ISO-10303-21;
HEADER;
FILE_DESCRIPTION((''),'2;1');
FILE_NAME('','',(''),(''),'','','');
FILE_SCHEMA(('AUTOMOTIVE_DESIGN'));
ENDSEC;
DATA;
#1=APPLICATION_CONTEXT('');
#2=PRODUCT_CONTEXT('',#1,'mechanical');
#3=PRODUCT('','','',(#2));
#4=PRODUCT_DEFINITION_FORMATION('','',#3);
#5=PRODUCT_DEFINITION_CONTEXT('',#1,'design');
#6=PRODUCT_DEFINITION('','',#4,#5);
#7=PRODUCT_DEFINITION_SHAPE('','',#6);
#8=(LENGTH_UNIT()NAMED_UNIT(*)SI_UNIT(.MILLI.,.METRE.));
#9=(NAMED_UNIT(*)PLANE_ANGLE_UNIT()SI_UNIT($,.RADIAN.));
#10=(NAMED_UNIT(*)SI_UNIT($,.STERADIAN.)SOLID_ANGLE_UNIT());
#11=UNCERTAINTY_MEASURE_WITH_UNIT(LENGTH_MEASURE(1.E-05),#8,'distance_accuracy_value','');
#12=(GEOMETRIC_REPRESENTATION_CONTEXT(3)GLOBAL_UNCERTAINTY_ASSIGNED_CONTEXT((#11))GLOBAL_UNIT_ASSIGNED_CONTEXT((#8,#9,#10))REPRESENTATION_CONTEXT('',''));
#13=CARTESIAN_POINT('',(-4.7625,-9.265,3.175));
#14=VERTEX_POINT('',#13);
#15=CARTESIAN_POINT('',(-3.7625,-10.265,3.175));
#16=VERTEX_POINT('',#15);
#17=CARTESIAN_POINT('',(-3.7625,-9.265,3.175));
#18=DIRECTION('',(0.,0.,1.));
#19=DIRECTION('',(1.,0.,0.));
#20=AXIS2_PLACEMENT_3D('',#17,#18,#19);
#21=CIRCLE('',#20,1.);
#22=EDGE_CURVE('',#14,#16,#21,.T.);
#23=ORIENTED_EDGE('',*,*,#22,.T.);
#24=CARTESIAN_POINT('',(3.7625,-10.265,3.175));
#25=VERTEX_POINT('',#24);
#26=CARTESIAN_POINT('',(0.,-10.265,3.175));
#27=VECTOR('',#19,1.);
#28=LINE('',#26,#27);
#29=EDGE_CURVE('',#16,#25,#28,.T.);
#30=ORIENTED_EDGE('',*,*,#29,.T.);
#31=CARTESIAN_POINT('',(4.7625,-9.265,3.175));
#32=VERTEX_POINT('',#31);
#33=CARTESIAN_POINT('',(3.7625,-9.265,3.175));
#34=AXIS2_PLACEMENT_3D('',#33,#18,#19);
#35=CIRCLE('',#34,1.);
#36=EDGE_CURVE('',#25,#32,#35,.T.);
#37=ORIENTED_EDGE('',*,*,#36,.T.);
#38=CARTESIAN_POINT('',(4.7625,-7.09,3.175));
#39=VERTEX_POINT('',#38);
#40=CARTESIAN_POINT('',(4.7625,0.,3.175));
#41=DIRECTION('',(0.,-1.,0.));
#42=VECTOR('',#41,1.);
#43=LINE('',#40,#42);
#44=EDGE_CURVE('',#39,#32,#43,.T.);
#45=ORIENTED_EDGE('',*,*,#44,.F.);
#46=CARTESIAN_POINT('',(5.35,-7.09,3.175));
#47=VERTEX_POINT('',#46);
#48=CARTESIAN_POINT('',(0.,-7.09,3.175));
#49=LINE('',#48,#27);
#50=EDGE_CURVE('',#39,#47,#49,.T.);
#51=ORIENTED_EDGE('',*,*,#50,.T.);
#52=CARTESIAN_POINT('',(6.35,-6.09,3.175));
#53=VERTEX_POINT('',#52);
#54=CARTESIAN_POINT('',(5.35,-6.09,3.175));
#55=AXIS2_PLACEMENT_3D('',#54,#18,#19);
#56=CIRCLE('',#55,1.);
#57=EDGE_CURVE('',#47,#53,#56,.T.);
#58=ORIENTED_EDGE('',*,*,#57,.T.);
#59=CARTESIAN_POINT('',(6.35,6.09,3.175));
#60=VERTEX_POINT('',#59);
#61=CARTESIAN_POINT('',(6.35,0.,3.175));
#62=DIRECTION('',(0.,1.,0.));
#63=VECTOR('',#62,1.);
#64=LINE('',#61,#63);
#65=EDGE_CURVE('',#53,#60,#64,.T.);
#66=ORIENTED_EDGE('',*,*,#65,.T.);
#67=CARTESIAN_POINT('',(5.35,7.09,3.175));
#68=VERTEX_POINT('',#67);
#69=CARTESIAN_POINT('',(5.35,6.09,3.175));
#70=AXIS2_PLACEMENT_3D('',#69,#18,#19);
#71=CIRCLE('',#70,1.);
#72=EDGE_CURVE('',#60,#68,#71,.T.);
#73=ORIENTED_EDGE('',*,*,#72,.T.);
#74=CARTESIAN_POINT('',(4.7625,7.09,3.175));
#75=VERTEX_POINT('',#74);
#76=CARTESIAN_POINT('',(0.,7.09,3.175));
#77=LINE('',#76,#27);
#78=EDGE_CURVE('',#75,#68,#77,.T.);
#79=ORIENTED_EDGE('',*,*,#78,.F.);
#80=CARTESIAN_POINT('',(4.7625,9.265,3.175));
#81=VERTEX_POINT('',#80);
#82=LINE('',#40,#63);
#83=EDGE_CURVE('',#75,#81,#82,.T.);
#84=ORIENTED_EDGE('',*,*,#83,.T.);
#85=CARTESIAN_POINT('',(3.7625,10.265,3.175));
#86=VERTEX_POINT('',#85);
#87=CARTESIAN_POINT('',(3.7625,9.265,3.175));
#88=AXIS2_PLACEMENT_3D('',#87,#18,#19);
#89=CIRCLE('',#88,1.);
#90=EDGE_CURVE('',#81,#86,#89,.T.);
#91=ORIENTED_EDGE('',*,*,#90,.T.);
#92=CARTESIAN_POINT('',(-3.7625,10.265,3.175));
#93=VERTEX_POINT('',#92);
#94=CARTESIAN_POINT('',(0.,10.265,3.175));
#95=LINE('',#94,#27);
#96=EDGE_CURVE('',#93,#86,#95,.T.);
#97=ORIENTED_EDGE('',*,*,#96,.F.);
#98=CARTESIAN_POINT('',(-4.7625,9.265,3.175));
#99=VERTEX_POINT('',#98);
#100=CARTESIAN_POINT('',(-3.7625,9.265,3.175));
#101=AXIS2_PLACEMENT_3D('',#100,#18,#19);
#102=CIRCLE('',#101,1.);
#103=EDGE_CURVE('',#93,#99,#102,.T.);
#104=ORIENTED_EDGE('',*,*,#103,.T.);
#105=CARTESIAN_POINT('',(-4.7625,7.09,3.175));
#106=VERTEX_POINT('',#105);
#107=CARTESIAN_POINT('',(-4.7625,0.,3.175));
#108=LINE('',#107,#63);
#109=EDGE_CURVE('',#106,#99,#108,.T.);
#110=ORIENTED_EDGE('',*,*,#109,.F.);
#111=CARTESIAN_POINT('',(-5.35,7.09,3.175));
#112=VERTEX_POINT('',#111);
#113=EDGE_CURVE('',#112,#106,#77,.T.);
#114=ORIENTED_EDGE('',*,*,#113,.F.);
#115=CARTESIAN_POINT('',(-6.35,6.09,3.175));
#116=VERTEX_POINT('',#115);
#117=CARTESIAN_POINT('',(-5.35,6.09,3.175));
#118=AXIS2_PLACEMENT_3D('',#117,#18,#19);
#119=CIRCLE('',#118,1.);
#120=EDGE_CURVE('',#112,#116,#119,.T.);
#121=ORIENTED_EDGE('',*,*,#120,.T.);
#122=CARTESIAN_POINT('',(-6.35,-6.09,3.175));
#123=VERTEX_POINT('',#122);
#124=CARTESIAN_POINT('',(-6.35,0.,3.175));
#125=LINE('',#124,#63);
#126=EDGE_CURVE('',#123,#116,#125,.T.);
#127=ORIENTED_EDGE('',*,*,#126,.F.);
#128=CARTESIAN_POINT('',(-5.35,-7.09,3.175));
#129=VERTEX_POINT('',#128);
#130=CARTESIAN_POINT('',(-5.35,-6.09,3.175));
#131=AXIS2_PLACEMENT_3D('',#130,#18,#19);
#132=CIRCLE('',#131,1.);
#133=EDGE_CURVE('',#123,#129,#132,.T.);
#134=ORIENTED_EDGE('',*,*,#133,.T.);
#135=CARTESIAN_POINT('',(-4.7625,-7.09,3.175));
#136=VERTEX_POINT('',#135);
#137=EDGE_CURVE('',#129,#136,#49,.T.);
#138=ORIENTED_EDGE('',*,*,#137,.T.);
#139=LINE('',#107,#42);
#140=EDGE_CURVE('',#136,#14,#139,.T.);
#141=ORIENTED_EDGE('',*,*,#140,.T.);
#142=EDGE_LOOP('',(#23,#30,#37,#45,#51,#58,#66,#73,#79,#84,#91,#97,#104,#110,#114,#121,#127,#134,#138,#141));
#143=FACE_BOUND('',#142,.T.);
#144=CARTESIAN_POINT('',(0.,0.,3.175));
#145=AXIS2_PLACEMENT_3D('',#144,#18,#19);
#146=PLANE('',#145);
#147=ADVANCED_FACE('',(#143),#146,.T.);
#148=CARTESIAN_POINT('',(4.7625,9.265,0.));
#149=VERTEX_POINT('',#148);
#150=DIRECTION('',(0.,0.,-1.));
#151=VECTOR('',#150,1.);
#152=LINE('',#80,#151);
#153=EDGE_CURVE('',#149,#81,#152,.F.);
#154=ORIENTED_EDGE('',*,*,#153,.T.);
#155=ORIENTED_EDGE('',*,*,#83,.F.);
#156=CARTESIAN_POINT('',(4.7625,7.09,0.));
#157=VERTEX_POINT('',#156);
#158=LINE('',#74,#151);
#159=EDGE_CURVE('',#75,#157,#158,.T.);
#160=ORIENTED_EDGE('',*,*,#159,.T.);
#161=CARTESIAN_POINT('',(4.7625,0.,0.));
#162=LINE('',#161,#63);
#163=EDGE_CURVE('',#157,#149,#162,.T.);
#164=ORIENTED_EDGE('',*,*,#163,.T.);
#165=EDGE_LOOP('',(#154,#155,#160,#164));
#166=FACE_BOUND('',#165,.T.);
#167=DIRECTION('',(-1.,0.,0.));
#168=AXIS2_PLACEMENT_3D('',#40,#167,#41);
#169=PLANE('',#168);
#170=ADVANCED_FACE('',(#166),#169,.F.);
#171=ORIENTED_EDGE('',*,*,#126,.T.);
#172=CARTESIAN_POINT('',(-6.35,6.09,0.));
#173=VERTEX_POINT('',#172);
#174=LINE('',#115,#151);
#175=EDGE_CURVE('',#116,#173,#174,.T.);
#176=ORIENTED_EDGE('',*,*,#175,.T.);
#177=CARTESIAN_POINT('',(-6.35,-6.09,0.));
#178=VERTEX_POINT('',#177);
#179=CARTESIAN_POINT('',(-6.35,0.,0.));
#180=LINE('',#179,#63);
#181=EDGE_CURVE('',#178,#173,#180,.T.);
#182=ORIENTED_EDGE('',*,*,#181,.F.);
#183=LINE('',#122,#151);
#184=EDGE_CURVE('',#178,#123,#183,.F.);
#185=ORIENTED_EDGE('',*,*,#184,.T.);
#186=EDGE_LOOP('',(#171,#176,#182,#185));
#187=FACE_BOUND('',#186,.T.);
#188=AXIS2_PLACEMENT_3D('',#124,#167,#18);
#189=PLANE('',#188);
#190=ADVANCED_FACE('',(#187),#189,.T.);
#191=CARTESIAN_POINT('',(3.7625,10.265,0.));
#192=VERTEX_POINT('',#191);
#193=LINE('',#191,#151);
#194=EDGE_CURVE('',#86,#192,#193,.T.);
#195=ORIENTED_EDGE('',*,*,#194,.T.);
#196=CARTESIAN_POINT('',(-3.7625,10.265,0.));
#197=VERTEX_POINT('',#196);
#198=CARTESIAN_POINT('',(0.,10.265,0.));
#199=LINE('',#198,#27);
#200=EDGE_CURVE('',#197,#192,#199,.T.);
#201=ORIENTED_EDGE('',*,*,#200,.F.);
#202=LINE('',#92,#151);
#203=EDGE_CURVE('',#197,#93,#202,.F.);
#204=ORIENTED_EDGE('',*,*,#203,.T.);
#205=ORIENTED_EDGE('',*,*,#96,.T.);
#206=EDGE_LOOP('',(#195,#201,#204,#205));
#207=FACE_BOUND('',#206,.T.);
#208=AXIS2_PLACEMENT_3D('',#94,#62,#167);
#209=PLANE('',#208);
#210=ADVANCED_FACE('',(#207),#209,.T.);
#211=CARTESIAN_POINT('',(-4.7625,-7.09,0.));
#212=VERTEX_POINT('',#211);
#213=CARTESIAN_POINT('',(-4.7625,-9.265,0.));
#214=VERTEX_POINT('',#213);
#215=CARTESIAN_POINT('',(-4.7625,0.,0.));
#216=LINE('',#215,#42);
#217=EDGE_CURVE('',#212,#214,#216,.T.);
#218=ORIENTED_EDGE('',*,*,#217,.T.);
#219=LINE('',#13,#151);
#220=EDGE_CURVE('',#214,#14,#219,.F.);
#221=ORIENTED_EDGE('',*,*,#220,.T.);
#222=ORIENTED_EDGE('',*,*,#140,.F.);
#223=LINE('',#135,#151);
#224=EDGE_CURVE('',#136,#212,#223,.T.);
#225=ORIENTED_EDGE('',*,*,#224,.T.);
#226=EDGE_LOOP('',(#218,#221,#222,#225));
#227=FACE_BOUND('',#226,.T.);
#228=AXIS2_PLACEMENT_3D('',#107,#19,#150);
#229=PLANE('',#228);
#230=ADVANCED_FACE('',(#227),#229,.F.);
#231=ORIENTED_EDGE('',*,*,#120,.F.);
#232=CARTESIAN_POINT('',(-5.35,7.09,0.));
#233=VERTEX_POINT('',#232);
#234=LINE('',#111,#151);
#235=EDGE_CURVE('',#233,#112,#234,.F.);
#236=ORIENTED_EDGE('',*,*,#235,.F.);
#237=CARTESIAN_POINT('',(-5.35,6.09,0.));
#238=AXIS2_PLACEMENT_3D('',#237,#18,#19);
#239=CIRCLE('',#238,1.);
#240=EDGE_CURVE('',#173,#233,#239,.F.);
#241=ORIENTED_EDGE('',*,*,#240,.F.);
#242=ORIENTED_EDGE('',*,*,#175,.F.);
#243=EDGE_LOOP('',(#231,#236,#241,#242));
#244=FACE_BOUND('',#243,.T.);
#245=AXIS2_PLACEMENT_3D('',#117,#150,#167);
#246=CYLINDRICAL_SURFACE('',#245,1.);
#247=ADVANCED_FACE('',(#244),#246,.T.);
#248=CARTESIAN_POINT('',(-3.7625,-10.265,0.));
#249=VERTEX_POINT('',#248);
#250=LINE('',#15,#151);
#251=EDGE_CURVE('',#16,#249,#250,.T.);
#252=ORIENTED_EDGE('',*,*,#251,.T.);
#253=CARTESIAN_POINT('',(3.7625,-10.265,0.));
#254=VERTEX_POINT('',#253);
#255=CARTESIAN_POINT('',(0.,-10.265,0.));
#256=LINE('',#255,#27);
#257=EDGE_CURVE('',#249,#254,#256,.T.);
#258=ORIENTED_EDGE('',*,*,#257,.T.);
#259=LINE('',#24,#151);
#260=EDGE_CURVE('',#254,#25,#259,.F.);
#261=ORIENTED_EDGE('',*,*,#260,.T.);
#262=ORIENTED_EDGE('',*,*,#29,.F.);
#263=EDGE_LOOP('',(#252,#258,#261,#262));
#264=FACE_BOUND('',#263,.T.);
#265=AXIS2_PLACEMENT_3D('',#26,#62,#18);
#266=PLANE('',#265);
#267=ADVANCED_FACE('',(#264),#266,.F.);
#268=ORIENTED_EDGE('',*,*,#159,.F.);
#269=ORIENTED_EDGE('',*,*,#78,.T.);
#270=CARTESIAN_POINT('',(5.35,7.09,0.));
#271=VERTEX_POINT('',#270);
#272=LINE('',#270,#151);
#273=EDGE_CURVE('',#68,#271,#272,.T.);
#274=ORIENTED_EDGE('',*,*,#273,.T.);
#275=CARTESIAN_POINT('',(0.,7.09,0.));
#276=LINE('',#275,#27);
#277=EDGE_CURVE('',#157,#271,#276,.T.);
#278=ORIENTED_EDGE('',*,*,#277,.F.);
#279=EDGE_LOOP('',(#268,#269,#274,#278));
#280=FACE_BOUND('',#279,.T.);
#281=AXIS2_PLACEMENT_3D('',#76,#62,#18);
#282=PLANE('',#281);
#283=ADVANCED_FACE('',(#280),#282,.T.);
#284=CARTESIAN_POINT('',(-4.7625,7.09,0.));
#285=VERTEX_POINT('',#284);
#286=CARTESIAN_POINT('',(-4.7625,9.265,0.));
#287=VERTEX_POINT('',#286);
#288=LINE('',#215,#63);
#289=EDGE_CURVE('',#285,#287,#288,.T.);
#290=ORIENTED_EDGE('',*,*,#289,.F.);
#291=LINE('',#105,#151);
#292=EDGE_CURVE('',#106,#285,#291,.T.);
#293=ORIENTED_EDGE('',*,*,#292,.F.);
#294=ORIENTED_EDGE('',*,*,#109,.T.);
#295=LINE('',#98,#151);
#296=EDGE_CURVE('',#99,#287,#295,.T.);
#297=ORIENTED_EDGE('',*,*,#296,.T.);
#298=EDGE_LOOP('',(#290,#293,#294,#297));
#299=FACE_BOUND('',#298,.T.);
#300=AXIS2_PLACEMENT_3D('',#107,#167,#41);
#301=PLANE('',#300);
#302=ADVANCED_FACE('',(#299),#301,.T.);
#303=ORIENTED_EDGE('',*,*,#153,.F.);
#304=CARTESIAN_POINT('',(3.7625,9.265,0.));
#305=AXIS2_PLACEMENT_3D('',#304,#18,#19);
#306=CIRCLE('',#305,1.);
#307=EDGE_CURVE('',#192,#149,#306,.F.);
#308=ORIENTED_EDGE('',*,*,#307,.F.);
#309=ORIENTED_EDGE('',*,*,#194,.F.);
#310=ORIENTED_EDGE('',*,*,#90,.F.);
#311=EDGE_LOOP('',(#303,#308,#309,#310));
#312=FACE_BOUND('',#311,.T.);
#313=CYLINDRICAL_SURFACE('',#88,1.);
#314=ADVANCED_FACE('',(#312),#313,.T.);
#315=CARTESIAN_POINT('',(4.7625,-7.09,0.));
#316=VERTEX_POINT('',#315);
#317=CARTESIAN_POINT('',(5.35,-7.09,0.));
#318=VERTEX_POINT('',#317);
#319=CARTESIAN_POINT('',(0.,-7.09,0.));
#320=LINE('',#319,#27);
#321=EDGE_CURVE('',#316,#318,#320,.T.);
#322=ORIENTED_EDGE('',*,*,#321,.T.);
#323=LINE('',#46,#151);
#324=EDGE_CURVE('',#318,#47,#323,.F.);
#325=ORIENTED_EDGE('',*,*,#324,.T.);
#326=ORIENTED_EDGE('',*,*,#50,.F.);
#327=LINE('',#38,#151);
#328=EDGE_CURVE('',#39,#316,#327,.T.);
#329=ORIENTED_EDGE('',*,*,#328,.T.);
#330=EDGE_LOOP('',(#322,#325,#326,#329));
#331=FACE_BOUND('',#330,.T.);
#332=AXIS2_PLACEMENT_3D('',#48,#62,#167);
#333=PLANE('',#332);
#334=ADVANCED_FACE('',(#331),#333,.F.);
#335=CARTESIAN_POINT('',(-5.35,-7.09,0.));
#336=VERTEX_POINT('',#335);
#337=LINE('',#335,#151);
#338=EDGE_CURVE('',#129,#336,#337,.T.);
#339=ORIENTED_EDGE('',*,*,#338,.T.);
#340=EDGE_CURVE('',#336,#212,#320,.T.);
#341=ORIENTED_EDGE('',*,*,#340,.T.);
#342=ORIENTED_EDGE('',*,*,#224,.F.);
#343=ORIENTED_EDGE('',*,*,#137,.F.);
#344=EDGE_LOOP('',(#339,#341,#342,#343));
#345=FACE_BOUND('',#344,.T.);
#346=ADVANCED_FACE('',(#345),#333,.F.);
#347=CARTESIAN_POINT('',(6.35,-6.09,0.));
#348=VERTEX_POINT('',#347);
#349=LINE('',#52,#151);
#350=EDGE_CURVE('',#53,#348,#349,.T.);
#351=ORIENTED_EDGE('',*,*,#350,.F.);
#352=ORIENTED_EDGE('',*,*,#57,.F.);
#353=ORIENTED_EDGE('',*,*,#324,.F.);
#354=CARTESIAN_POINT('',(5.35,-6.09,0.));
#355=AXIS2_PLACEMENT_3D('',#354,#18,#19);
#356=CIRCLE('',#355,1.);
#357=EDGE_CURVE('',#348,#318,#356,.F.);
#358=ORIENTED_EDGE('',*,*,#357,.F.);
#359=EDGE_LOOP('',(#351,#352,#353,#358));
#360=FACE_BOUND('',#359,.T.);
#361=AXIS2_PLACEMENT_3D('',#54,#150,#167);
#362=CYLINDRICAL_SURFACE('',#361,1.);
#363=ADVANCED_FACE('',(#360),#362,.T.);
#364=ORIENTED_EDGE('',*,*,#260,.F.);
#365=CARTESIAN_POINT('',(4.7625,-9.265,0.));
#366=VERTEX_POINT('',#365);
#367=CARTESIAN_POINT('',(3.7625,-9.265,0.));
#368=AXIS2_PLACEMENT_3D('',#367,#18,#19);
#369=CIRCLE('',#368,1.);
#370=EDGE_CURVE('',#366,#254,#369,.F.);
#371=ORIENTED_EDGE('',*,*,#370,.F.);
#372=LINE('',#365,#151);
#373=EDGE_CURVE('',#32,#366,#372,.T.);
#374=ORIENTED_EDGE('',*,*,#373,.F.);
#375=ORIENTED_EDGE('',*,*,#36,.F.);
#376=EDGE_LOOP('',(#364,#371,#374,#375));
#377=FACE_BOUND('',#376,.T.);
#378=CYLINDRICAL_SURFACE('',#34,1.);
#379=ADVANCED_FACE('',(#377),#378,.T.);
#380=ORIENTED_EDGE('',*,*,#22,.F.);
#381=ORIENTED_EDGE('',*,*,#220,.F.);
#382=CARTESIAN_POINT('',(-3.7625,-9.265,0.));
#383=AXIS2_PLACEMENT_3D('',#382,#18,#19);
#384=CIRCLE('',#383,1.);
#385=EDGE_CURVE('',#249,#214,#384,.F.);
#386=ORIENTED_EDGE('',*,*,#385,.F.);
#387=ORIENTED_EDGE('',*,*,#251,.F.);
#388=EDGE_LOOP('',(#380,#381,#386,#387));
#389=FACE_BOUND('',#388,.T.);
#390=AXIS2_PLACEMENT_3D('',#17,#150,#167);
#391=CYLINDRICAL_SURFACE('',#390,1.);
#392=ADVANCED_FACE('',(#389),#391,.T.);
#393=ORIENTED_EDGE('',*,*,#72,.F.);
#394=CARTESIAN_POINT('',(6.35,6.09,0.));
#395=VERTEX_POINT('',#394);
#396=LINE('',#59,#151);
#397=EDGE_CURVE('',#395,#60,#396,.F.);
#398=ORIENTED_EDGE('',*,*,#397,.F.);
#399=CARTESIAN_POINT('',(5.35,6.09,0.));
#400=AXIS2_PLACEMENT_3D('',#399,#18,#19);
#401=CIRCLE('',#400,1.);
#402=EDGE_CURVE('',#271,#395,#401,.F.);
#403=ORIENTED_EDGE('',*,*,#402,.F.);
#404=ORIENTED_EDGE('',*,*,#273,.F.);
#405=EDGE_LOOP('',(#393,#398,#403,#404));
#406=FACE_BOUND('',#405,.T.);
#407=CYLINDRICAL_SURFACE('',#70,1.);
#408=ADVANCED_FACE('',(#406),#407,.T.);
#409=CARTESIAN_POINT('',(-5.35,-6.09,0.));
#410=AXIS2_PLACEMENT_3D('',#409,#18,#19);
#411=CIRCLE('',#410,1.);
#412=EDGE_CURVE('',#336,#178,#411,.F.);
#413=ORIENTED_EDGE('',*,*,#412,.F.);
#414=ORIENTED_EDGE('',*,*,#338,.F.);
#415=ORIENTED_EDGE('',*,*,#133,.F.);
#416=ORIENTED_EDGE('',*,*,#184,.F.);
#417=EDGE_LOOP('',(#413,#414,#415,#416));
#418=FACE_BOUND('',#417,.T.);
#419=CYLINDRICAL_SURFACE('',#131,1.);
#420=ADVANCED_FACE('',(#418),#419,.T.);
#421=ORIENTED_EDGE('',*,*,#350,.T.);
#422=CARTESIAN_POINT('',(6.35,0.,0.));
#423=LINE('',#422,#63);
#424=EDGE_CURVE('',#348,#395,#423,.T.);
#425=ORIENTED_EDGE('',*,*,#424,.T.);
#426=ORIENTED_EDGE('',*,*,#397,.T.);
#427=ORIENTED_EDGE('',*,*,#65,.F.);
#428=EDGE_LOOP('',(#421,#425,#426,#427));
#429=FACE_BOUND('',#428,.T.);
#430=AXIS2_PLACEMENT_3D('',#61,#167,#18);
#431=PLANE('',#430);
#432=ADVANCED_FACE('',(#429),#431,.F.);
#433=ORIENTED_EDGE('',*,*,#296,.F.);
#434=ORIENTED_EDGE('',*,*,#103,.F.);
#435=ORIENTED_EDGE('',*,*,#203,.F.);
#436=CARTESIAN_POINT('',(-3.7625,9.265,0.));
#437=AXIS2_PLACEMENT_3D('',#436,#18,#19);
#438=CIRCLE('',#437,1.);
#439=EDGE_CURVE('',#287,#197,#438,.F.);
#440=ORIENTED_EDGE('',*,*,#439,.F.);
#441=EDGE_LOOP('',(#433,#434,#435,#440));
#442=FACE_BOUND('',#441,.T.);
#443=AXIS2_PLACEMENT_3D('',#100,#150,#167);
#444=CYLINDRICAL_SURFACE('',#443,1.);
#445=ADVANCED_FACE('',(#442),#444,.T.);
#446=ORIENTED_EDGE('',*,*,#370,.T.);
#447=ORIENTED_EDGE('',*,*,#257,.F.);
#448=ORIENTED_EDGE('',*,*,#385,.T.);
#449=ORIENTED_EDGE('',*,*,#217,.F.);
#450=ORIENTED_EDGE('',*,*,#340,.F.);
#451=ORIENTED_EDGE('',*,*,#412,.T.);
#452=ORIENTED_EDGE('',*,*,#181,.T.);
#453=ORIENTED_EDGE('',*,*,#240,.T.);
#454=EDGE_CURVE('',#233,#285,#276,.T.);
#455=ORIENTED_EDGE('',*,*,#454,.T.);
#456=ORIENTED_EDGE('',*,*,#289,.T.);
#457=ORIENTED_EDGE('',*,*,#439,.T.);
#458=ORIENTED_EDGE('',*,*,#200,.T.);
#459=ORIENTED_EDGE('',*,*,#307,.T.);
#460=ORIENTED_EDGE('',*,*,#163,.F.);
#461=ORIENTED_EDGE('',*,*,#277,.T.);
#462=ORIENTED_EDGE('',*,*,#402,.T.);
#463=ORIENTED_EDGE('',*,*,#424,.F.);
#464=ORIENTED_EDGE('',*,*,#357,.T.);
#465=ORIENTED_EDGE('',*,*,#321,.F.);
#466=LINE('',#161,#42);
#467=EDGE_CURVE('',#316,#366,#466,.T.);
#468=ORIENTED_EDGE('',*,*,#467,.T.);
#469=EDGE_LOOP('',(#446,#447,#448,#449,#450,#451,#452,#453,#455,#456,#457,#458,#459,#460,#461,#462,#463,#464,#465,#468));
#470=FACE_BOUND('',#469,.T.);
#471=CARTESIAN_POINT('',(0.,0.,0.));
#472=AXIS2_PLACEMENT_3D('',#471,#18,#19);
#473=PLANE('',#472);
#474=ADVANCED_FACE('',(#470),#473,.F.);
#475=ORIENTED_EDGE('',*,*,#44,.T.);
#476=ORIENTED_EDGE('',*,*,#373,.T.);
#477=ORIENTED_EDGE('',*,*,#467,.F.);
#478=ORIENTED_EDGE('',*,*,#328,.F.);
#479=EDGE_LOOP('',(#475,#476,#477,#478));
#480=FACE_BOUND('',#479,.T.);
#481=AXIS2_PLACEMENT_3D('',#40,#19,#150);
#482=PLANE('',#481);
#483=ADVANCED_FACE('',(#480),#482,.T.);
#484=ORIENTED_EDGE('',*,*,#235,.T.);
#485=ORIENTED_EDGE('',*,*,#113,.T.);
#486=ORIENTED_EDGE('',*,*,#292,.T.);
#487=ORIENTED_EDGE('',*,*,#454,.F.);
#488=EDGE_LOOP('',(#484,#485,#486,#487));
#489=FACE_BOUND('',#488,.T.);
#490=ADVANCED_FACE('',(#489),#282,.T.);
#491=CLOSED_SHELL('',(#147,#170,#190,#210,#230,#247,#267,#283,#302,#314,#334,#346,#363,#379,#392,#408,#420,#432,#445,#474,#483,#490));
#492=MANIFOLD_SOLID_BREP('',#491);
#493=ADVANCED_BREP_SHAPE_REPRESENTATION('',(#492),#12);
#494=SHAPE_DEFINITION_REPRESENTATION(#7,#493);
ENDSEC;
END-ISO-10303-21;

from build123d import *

# Parameters (mm, degrees)
SKETCH1_W           = 9.525
SKETCH1_H           = 3.175
BOSS_EXTRUDE1_DEPTH = 3.175
FILLET1_R           = 1


with BuildPart() as part:
    # Sketch1 → Boss-Extrude1 (new body)
    with BuildSketch(Plane.XY):
        with Locations((0, -8.6775)):
            Rectangle(SKETCH1_W, SKETCH1_H)
        Polygon((4.7625, 7.09), (-4.7625, 7.09), (-6.35, 7.09), (-6.35, -7.09), (-4.7625, -7.09), (4.7625, -7.09), (6.35, -7.09), (6.35, 7.09), align=None)
        with Locations((0, 8.6775)):
            Rectangle(SKETCH1_W, SKETCH1_H)
    extrude(amount=BOSS_EXTRUDE1_DEPTH)

    # Fillet1
    fillet1_edges = [part.edges().sort_by_distance(p)[0] for p in [
        (-6.35, -7.09, 1.5875),
        (-6.35, 7.09, 1.5875),
        (-4.7625, 10.265, 1.5875),
        (4.7625, 10.265, 1.5875),
        (6.35, 7.09, 1.5875),
        (6.35, -7.09, 1.5875),
        (4.7625, -10.265, 1.5875),
        (-4.7625, -10.265, 1.5875),
    ]]
    fillet(fillet1_edges, radius=FILLET1_R)


solid = part.part
